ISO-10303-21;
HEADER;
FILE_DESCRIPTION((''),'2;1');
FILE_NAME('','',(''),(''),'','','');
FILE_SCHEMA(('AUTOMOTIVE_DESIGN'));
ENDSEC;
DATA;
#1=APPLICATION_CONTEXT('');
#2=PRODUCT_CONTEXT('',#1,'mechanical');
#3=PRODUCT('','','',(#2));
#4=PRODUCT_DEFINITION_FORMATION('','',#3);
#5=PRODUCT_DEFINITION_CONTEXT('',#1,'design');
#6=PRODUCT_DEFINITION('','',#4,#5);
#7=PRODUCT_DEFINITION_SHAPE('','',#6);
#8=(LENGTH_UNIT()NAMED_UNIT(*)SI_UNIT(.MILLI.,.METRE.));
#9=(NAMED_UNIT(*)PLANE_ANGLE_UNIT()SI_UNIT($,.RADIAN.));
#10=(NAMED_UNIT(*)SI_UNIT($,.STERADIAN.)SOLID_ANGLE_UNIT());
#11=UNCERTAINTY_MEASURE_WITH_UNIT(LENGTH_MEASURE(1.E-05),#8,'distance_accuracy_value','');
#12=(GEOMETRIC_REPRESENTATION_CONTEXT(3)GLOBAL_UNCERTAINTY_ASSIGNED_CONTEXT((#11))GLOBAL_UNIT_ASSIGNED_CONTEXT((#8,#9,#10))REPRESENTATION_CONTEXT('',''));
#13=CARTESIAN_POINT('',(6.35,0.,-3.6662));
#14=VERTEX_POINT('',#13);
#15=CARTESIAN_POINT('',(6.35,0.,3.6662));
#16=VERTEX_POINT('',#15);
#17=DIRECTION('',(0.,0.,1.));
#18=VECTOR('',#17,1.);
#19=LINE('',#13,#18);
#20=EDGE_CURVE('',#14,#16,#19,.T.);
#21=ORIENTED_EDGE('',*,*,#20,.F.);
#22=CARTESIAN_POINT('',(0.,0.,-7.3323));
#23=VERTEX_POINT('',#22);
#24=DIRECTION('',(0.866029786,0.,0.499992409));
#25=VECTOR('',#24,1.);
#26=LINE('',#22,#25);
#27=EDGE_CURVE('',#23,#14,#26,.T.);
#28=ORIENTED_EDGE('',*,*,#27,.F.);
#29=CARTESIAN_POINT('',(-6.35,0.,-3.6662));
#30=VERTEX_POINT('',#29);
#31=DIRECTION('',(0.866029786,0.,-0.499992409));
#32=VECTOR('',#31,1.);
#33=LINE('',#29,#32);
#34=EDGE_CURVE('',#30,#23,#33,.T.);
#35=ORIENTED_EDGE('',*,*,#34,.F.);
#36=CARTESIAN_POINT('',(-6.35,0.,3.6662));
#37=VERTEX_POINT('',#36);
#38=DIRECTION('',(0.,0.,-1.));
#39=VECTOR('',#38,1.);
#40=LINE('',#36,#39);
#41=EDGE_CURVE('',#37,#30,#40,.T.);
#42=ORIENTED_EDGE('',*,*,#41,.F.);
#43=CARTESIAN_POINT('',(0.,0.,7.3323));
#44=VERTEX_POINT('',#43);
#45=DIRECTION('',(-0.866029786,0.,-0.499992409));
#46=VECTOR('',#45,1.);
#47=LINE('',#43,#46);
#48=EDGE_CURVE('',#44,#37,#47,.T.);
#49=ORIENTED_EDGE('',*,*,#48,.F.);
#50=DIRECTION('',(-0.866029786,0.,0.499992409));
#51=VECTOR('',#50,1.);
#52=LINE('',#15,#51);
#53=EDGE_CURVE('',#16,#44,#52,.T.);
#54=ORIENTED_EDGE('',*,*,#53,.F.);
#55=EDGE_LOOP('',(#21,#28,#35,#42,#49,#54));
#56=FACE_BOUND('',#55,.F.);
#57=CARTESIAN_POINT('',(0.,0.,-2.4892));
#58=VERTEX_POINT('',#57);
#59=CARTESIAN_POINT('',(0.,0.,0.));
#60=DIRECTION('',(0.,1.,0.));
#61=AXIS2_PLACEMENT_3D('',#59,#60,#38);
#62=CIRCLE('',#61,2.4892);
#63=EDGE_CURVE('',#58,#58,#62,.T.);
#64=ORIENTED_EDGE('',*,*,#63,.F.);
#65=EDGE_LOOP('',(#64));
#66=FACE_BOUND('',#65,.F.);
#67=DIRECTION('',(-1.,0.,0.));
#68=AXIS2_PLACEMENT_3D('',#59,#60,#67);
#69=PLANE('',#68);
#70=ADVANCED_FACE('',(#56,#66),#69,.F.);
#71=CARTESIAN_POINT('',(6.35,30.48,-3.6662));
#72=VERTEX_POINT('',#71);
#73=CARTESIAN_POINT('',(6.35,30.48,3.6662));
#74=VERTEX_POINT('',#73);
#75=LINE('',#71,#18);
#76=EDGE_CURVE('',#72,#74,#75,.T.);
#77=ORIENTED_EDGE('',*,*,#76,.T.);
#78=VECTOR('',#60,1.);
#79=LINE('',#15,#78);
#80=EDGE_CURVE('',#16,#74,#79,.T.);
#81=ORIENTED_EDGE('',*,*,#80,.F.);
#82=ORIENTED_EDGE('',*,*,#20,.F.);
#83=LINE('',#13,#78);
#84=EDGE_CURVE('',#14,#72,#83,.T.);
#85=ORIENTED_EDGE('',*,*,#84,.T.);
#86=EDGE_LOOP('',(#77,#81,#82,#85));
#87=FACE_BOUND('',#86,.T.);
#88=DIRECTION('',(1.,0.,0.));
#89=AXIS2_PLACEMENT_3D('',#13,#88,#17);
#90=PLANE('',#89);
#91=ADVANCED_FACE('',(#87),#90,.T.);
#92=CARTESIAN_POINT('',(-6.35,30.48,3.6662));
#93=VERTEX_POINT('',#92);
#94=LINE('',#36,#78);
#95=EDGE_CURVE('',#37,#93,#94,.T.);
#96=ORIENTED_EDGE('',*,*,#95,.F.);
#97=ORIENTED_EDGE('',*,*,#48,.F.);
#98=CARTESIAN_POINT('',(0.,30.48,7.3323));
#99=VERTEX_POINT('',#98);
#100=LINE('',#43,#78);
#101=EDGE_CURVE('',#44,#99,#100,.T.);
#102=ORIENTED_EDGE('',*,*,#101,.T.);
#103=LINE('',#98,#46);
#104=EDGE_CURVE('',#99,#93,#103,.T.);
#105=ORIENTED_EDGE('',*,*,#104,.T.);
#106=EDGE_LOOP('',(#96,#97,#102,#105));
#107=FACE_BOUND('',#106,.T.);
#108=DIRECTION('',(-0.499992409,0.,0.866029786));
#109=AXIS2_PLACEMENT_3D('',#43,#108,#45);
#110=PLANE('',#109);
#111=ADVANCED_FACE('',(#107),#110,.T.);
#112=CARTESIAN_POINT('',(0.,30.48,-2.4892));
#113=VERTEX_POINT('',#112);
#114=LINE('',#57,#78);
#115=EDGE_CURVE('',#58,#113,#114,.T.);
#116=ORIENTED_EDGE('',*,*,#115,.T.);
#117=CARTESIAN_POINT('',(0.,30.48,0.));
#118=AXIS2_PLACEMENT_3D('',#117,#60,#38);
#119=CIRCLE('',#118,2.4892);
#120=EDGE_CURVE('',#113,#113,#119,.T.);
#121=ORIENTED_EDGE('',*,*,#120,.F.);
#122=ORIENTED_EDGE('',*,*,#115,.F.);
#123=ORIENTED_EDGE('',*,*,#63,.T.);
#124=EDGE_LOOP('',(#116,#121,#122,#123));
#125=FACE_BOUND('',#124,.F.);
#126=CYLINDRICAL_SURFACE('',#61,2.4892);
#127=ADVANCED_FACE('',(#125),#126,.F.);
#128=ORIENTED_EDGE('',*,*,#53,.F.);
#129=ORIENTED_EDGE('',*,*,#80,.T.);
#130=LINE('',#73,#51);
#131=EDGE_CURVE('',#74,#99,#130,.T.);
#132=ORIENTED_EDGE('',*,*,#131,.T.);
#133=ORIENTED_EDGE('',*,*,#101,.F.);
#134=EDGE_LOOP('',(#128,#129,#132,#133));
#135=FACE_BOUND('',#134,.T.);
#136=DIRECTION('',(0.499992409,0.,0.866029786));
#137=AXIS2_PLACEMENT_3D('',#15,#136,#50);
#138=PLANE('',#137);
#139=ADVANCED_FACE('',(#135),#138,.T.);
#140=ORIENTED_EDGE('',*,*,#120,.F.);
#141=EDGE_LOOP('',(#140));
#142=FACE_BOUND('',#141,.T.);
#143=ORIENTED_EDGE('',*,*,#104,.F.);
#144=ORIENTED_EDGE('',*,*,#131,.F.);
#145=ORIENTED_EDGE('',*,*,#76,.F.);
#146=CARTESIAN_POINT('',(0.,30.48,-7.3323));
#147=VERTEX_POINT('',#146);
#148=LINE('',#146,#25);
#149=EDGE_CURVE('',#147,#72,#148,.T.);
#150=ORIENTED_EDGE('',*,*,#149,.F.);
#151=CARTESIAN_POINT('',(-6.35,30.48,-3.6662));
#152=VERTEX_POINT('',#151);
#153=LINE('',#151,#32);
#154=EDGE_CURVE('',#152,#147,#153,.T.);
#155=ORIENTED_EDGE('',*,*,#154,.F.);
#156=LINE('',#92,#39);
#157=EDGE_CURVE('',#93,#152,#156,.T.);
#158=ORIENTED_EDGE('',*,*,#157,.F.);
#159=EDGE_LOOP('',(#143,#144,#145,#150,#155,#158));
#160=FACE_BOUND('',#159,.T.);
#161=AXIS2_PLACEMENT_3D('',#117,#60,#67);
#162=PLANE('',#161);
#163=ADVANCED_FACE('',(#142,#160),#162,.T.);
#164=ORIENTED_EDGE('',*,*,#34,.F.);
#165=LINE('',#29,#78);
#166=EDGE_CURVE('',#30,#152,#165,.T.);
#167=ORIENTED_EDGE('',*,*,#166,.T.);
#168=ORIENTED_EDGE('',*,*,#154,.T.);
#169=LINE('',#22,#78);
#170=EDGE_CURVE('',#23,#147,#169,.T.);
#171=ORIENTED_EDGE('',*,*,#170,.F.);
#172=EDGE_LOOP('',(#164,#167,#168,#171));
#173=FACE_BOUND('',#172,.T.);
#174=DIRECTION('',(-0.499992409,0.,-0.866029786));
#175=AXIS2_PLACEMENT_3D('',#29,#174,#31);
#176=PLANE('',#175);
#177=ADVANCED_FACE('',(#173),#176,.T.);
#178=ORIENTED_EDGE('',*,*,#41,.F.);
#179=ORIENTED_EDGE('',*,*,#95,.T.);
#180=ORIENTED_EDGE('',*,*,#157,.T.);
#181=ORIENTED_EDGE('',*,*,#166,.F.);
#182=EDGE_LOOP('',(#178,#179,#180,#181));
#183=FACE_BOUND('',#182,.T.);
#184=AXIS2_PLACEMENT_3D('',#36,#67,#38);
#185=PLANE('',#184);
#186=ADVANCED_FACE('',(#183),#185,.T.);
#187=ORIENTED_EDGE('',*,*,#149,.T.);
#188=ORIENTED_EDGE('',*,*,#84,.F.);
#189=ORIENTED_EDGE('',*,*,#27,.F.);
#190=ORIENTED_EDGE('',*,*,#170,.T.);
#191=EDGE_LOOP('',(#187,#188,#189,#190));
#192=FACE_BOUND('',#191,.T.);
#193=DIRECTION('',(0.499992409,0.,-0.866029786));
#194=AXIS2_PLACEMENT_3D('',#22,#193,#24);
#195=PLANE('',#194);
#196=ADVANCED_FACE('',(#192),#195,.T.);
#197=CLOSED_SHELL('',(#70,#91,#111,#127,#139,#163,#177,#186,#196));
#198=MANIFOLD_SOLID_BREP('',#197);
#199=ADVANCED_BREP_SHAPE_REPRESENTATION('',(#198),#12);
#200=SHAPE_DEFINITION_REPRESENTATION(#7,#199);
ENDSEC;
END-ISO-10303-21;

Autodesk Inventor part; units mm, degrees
ref_plane "YZ Plane" through (0, 0, 0) normal (1, 0, 0) x (0, 1, 0)
ref_plane "XZ Plane" through (0, 0, 0) normal (0, 1, 0) x (-1, 0, 0)
ref_plane "XY Plane" through (0, 0, 0) normal (0, 0, 1) x (1, 0, 0)
sketch "Sketch1" plane through (0, 0, 0) normal (0, 1, 0) x (-1, 0, 0)
  line L0 (6.35, -3.6662) -> (0, -7.3323)
  line L1 (0, -7.3323) -> (-6.35, -3.6662)
  line L2 (-6.35, -3.6662) -> (-6.35, 3.6662)
  line L3 (-6.35, 3.6662) -> (0, 7.3323)
  line L4 (0, 7.3323) -> (6.35, 3.6662)
  line L5 (6.35, 3.6662) -> (6.35, -3.6662)
  point P0 (0, 0)
  point P1 (0, 0)
  point P2 (0, 0)
  dimension "d0" = 12.7
extrude "Extrusion1" add sketch "Sketch1" along normal blind 30.48
hole "Hole1" at (0, 0, 0) direction (0, 1, 0) diameter 4.9784 end through all thread size "1/4-20 UNC" class "2B" standard "ANSI Unified Screw Threads"
properties part number "ELEV_024_SPACER1" material "Aluminum 6061"
